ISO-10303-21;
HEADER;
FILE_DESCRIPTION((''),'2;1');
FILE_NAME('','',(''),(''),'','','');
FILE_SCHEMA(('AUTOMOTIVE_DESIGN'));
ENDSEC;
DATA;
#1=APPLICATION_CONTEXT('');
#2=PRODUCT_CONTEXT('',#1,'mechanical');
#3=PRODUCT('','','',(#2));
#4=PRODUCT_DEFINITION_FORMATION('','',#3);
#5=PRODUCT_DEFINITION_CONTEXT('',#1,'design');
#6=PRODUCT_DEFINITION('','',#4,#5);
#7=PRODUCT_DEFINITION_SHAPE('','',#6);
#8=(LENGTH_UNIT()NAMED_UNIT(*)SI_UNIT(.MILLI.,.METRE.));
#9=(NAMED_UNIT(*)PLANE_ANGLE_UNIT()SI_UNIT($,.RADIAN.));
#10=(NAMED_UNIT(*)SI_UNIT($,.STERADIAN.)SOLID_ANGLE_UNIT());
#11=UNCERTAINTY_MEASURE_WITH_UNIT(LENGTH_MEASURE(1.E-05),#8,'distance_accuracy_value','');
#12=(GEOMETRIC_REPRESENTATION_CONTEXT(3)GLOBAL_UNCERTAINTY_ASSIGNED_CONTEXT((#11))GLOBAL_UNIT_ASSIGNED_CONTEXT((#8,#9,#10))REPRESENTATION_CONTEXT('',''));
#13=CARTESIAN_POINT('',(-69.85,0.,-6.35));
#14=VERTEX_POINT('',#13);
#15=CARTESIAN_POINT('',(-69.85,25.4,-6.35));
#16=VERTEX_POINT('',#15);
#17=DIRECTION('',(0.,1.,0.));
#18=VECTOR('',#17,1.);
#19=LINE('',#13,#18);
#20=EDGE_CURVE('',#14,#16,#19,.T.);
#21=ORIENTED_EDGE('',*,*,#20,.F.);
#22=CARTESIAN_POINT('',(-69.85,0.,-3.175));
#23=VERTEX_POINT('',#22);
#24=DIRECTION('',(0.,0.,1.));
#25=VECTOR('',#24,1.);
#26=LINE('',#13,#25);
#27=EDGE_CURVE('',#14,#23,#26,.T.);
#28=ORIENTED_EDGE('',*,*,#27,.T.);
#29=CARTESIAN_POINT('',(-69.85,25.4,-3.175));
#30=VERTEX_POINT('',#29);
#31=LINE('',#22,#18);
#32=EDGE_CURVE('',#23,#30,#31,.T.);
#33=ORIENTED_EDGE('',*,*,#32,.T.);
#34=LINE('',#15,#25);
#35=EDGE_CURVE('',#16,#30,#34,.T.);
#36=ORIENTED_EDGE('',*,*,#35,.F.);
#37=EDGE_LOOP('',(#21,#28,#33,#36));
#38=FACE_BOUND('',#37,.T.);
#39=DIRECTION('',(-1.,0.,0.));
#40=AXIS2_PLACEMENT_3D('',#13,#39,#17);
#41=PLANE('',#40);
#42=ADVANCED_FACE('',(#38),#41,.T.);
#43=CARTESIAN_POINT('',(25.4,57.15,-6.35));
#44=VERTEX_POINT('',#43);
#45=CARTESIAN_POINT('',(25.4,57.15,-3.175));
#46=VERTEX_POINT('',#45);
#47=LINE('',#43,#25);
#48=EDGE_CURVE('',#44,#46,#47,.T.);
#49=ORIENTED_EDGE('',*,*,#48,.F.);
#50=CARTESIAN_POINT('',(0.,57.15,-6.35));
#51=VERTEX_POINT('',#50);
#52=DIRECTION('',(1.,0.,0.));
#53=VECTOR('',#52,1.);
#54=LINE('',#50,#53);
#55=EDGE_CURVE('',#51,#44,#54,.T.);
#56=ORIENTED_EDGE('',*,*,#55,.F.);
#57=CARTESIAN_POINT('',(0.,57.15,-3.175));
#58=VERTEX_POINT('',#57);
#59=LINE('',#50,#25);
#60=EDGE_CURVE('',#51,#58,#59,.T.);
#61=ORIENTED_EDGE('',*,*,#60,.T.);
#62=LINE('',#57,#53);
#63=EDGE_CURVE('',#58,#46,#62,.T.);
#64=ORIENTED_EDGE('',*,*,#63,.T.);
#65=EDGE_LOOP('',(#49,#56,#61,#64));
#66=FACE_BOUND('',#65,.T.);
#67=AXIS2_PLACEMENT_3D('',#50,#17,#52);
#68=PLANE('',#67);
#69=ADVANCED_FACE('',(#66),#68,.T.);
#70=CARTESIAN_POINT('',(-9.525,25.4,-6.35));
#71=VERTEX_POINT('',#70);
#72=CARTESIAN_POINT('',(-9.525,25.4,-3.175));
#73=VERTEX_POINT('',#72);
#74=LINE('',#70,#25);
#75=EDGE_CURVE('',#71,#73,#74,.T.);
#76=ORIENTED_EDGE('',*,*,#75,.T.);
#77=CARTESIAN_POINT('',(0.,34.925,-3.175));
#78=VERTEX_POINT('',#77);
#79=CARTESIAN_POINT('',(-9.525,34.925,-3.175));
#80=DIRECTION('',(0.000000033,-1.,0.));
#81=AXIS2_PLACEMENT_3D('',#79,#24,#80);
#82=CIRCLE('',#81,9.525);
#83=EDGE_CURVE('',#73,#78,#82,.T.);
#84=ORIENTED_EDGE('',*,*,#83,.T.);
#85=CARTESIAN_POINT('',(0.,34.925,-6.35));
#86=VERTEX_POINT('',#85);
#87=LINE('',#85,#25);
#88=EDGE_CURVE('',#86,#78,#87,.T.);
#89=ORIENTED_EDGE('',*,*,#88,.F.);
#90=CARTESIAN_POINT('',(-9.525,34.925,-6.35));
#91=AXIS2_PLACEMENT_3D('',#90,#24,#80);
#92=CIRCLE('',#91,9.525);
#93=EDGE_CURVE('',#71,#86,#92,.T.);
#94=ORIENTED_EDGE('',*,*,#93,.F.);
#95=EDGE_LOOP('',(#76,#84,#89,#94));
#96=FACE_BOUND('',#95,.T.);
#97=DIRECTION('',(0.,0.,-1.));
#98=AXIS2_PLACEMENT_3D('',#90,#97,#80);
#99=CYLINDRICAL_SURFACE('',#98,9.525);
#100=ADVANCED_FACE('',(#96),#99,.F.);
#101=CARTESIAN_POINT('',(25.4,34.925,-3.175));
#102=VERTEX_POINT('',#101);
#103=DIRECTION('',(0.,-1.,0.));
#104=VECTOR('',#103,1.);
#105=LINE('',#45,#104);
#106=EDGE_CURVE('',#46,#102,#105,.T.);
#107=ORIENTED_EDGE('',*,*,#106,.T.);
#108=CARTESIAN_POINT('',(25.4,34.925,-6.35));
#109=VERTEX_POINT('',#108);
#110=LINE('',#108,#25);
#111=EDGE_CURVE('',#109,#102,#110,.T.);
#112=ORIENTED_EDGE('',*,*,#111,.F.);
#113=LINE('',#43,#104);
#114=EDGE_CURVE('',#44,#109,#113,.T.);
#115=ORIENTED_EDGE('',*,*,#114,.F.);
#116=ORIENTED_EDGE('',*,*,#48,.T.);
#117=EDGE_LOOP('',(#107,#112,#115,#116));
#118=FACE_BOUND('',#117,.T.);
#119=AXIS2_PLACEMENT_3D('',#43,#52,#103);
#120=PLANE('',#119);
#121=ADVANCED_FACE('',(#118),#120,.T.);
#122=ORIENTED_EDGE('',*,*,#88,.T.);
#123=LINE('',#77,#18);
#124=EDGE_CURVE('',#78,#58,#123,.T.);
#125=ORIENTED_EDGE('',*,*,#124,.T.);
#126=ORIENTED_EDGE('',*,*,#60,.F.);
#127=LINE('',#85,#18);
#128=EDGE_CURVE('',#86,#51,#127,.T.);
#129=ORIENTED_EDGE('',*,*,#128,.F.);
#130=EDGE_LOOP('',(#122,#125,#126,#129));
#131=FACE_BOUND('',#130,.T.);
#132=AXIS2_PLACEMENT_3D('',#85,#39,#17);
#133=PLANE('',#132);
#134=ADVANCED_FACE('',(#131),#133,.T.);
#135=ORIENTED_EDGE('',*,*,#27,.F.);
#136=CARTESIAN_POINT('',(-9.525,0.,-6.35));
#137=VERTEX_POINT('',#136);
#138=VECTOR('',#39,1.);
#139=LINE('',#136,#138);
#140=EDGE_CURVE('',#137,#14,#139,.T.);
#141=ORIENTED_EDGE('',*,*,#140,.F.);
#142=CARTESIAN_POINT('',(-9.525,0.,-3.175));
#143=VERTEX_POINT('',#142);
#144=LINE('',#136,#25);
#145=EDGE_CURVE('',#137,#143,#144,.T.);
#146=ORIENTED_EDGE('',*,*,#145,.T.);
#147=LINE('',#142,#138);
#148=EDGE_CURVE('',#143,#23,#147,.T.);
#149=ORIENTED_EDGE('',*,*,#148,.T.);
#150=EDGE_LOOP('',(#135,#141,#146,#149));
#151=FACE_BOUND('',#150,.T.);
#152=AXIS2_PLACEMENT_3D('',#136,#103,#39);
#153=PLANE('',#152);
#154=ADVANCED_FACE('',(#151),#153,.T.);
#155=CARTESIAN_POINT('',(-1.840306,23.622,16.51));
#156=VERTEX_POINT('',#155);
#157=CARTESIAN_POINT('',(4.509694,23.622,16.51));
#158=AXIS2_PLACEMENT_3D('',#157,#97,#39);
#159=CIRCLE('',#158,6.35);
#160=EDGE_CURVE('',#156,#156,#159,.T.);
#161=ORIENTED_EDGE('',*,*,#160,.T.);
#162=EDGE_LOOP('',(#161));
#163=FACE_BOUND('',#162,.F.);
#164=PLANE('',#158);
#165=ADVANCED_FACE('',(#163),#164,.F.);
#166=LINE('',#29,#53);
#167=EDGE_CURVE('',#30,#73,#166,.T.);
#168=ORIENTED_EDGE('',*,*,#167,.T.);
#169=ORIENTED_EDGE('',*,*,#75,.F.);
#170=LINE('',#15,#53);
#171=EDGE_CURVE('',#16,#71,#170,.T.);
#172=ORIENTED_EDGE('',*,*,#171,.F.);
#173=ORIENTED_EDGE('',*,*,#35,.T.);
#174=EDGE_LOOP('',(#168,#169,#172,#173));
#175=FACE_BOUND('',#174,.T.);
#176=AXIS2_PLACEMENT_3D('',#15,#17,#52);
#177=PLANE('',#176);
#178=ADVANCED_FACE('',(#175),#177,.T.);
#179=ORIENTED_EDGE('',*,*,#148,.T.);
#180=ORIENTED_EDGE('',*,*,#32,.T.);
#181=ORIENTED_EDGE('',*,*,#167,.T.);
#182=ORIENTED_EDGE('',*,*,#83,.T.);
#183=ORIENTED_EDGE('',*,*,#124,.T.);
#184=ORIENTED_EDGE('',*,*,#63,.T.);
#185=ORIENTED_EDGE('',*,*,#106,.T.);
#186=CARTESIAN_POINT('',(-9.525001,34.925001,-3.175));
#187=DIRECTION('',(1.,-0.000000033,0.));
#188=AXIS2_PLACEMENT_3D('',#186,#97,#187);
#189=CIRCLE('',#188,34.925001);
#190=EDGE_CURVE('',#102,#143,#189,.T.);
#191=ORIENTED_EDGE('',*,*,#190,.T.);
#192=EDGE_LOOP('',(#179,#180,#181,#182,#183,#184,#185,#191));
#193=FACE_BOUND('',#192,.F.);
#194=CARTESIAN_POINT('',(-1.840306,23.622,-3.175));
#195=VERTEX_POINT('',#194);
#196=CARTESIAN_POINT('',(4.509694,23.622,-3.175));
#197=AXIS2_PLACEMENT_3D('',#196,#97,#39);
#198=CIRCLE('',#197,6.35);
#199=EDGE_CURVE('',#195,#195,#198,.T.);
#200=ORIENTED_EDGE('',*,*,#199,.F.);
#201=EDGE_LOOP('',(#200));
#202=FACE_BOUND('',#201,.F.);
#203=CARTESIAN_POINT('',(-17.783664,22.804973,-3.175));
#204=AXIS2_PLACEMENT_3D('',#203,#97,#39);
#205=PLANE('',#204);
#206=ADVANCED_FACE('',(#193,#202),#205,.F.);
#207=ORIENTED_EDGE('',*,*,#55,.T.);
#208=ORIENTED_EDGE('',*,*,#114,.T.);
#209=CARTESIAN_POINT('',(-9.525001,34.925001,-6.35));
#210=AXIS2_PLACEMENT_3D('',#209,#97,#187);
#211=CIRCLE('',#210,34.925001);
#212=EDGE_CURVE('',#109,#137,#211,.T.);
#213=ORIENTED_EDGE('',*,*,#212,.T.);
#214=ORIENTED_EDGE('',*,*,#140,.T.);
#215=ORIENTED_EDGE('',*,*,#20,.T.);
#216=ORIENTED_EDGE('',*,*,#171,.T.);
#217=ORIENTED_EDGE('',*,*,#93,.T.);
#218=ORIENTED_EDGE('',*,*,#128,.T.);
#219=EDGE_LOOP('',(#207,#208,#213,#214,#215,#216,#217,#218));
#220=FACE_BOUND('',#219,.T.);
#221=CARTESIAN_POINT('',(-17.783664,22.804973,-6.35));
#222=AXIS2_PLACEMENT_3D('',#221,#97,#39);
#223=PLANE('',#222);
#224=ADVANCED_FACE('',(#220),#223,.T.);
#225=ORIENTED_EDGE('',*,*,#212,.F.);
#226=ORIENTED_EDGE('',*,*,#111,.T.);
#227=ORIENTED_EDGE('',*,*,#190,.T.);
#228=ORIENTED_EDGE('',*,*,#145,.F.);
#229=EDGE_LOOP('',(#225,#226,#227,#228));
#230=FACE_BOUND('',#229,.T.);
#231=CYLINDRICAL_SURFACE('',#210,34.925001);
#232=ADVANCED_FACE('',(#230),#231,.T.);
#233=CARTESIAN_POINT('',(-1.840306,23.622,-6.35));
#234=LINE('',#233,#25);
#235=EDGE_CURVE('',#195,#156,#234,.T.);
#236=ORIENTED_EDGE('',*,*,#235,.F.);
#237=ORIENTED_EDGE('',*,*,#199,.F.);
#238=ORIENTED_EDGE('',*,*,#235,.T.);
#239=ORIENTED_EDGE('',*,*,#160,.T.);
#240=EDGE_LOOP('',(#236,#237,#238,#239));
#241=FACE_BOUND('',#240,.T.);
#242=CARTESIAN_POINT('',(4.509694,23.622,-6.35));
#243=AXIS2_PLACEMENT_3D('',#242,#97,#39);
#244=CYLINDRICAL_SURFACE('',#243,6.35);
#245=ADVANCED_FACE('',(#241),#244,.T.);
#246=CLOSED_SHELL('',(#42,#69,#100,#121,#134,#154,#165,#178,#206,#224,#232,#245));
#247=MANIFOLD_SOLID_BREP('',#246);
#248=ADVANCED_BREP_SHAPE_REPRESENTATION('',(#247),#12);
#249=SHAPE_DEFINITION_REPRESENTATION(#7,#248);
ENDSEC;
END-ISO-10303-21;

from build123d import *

# Parameters (mm, degrees)
F0_R     = 6.35
F1_DEPTH = 22.86
F2_DEPTH = 3.175
F3_ANGLE = 180


with BuildPart() as f1:
    # F0 (on Top) → F1 (new body)
    with BuildSketch(Plane.XY):
        with Locations((-4.509694, 23.622)):
            Circle(F0_R)
    extrude(amount=-F1_DEPTH)

    # F0 (on Top) → F2 (join)
    with BuildSketch(Plane.XY):
        with BuildLine():
            Line((0, 57.15), (-25.4, 57.15))
            Line((-25.4, 57.15), (-25.4, 34.925))
            ThreePointArc((-25.4, 34.925), (-15.170704, 10.229296), (9.525, 0))
            Line((9.525, 0), (19.05, 0))
            Line((19.05, 0), (69.85, 0))
            Line((69.85, 0), (69.85, 25.4))
            Line((69.85, 25.4), (19.05, 25.4))
            Line((19.05, 25.4), (9.525, 25.4))
            ThreePointArc((9.525, 25.4), (2.789808, 28.189808), (0, 34.925))
            Line((0, 34.925), (0, 57.15))
        make_face()
        with Locations((-4.509694, 23.622)):
            Circle(F0_R, mode=Mode.SUBTRACT)
    extrude(amount=-F2_DEPTH)


with BuildPart() as f1_1:
    # F3: moved
    add(f1.part.rotate(Axis((0, 46.0375, -3.175), (0, 1, 0)), F3_ANGLE))


solid = f1_1.part
